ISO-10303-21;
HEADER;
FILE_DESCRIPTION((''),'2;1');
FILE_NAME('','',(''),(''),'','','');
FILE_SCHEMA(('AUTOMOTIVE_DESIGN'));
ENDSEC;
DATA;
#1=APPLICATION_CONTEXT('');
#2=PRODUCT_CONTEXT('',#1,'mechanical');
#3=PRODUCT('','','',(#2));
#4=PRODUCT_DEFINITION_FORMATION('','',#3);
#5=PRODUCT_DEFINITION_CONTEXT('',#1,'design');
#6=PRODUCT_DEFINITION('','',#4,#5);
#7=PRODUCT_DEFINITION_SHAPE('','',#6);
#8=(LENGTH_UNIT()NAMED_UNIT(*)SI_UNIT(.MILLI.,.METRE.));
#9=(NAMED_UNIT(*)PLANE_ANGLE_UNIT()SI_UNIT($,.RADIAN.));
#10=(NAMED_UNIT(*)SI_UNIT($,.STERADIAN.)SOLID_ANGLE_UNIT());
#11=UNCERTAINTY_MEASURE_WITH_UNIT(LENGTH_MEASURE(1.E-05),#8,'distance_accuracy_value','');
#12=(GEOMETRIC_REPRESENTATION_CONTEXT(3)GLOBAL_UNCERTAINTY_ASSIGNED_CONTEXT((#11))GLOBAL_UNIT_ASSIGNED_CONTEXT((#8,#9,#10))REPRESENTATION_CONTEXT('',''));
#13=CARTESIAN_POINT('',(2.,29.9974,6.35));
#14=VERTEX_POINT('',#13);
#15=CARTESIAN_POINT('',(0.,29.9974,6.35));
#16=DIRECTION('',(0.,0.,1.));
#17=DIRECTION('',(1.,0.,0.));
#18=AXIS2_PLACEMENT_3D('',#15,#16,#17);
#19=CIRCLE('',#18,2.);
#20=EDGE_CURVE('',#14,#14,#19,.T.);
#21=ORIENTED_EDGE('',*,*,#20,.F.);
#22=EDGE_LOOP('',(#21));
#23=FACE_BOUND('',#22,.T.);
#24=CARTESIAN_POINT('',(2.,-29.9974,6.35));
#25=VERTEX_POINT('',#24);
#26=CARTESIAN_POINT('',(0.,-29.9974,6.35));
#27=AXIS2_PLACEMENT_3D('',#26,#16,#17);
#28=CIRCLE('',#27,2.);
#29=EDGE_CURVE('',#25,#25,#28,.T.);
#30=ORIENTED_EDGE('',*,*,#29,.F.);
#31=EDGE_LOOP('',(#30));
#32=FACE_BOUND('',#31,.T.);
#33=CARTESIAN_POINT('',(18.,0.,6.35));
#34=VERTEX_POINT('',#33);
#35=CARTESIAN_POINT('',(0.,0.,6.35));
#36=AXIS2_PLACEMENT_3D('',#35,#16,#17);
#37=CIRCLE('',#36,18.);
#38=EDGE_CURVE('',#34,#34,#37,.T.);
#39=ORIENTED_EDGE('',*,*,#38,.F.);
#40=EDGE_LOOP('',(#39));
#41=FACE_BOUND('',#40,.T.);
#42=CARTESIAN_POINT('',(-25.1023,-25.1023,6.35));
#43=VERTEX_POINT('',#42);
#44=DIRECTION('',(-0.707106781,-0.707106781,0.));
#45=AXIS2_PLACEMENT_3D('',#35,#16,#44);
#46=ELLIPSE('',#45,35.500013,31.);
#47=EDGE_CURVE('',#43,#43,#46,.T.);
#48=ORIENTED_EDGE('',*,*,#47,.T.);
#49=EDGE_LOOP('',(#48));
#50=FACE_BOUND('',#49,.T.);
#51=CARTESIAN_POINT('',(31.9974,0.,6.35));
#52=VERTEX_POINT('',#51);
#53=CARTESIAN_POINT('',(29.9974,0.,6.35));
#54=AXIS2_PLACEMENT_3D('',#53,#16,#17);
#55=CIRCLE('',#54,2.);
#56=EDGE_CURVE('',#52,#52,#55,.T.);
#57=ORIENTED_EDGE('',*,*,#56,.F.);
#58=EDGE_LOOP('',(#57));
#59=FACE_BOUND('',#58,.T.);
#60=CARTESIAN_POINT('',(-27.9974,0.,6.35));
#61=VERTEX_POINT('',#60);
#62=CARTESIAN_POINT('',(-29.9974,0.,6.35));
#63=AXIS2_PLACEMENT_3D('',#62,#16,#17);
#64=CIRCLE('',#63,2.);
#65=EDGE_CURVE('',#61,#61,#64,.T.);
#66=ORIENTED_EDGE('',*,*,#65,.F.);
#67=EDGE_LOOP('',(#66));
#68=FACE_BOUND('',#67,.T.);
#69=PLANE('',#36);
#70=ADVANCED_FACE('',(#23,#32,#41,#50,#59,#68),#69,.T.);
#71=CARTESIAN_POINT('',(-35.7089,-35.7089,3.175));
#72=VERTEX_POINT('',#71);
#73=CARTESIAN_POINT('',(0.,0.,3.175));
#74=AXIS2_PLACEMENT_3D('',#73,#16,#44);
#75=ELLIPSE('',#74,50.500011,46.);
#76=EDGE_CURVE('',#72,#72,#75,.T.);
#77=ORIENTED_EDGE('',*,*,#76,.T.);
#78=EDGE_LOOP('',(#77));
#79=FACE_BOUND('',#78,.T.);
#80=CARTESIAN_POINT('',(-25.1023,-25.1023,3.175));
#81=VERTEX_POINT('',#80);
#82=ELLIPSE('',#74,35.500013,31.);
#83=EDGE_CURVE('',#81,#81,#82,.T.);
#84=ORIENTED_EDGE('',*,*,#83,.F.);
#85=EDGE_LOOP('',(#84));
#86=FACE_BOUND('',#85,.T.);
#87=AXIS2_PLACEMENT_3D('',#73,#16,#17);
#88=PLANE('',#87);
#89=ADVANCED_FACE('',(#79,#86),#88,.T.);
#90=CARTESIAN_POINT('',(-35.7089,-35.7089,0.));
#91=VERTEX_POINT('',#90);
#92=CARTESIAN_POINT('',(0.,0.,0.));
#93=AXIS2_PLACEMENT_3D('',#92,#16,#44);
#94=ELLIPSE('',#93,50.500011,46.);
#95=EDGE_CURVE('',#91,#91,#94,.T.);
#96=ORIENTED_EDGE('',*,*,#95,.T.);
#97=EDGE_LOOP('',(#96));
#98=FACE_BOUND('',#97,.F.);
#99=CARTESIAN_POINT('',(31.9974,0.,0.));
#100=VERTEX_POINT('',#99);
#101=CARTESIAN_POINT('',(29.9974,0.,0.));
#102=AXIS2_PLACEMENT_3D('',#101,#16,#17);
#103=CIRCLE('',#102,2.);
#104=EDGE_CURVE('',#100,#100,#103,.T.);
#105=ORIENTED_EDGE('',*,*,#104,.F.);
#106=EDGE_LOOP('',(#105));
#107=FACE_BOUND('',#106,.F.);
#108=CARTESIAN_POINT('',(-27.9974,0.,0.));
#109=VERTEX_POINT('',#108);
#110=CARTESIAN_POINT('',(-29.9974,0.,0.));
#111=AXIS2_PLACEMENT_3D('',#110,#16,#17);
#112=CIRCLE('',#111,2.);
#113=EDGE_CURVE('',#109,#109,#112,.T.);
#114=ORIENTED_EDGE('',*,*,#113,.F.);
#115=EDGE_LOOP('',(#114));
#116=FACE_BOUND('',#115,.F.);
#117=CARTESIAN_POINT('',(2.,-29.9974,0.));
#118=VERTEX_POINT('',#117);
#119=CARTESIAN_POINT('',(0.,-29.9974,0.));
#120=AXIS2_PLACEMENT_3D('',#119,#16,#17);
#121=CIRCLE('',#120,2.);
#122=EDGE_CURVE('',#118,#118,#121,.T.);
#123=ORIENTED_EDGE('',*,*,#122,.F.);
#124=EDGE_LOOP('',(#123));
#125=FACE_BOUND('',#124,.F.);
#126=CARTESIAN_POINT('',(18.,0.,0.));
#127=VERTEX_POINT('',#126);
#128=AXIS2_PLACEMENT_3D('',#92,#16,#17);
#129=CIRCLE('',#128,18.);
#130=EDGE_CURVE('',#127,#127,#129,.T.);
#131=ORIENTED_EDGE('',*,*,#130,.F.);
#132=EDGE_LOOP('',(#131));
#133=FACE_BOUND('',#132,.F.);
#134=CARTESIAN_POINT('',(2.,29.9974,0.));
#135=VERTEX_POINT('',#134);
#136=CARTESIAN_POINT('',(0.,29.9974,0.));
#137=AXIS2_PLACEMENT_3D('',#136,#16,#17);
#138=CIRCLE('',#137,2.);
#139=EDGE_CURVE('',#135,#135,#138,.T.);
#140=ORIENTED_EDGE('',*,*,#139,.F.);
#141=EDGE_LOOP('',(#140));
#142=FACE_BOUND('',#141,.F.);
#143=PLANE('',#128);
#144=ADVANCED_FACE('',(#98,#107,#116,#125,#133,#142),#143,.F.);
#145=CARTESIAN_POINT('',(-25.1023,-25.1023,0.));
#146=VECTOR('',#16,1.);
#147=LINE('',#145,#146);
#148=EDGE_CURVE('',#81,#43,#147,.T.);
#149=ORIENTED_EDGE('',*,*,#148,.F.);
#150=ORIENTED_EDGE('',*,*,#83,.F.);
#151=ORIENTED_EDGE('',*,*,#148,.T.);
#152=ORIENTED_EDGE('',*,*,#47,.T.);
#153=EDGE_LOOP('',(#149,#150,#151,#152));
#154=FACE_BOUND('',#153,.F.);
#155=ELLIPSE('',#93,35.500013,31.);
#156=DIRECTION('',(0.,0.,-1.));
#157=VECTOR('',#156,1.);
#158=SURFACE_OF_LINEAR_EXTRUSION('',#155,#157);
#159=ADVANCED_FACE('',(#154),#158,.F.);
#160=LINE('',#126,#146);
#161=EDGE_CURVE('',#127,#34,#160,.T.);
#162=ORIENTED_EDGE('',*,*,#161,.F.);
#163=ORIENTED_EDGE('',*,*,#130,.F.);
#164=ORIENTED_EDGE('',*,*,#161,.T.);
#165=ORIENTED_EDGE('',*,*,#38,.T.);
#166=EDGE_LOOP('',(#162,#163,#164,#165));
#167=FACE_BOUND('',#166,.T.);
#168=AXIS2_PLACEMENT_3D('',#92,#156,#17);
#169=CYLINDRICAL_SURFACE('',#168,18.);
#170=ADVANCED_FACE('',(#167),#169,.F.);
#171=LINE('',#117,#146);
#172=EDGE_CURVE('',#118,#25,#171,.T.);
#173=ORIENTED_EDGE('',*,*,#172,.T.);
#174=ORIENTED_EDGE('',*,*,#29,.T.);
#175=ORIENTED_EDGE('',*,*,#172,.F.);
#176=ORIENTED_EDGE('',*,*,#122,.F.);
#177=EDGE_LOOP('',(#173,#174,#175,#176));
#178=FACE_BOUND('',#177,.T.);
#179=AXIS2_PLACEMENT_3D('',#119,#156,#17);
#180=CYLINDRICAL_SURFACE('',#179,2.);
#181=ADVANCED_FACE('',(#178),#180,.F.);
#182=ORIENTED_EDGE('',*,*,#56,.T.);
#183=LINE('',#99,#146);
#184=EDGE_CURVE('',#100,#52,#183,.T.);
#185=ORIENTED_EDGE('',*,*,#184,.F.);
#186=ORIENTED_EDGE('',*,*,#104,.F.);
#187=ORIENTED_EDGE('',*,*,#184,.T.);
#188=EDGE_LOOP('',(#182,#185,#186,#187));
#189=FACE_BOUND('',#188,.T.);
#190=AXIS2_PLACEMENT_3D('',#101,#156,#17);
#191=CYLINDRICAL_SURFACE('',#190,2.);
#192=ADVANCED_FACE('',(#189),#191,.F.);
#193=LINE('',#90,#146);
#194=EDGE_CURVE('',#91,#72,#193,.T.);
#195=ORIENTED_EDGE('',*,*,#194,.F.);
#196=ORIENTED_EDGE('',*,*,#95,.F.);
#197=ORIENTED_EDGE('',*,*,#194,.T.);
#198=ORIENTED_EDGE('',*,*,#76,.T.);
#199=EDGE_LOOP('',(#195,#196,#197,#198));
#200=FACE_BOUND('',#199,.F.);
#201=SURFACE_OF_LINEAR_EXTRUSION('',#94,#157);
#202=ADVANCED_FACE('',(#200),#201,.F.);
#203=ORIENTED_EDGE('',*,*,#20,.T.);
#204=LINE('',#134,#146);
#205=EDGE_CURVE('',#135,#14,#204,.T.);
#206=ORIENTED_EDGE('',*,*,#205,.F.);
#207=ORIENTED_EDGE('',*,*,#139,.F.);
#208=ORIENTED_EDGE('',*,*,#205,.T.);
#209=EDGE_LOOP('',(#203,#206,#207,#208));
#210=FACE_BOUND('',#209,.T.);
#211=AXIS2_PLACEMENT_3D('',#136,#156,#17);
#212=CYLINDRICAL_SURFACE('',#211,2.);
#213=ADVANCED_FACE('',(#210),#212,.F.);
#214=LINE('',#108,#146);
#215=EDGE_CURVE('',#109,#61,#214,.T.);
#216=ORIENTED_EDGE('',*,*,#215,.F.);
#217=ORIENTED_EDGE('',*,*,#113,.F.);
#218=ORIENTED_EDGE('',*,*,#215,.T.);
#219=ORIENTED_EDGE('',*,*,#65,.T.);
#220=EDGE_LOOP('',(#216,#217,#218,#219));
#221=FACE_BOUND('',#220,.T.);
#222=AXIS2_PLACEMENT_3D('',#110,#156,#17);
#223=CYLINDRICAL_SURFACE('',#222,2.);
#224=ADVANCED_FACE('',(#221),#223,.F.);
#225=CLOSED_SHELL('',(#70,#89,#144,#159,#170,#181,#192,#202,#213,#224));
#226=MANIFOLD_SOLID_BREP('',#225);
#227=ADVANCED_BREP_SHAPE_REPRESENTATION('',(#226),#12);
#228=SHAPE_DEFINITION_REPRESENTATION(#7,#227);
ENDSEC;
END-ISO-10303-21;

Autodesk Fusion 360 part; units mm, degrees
sketch "Sketch12" plane through (0, 0, 0) normal (0, 0, 1) x (1, 0, 0)
  circle A0 centre (-29.9974, 0) radius 2
  circle A1 centre (29.9974, 0) radius 2
  circle A2 centre (0, -29.9974) radius 2
  ellipse E0 centre (0, 0) end of major axis (-25.1023, -25.1023) minor radius 31
  ellipse E1 centre (0, 0) end of major axis (-35.7089, -35.7089) minor radius 46
  circle A3 centre (0, 0) radius 18
  circle A4 centre (0, 29.9974) radius 2
  line L0 (-100, 0) -> (0, 100)
  line L1 (0, 100) -> (100, 0)
  point P0 (0, 29.9974)
  dimension "d4" = 0
  dimension "d5" = 0
  dimension "d6" = 0
  dimension "d7" = 0
  dimension "d28" = 36
  dimension "d33" = 35.5
  dimension "d34" = 31
extrude "Extrude6" add sketch "Sketch12" along normal blind 6.35 contours E0
extrude "Extrude7" add sketch "Sketch12" along normal blind 3.175 contours E1
sketch "Sketch14" plane through (0, 0, 3.175) normal (0, 0, 1) x (-1, 0, 0)
  ellipse E0 centre (0, 0) end of major axis (25.1023, 25.1023) minor radius 31
  ellipse E1 centre (0, 0) end of major axis (35.7089, 35.7089) minor radius 46
  ellipse E2 centre (0, 0) end of major axis (42.78, 42.78) minor radius 56
